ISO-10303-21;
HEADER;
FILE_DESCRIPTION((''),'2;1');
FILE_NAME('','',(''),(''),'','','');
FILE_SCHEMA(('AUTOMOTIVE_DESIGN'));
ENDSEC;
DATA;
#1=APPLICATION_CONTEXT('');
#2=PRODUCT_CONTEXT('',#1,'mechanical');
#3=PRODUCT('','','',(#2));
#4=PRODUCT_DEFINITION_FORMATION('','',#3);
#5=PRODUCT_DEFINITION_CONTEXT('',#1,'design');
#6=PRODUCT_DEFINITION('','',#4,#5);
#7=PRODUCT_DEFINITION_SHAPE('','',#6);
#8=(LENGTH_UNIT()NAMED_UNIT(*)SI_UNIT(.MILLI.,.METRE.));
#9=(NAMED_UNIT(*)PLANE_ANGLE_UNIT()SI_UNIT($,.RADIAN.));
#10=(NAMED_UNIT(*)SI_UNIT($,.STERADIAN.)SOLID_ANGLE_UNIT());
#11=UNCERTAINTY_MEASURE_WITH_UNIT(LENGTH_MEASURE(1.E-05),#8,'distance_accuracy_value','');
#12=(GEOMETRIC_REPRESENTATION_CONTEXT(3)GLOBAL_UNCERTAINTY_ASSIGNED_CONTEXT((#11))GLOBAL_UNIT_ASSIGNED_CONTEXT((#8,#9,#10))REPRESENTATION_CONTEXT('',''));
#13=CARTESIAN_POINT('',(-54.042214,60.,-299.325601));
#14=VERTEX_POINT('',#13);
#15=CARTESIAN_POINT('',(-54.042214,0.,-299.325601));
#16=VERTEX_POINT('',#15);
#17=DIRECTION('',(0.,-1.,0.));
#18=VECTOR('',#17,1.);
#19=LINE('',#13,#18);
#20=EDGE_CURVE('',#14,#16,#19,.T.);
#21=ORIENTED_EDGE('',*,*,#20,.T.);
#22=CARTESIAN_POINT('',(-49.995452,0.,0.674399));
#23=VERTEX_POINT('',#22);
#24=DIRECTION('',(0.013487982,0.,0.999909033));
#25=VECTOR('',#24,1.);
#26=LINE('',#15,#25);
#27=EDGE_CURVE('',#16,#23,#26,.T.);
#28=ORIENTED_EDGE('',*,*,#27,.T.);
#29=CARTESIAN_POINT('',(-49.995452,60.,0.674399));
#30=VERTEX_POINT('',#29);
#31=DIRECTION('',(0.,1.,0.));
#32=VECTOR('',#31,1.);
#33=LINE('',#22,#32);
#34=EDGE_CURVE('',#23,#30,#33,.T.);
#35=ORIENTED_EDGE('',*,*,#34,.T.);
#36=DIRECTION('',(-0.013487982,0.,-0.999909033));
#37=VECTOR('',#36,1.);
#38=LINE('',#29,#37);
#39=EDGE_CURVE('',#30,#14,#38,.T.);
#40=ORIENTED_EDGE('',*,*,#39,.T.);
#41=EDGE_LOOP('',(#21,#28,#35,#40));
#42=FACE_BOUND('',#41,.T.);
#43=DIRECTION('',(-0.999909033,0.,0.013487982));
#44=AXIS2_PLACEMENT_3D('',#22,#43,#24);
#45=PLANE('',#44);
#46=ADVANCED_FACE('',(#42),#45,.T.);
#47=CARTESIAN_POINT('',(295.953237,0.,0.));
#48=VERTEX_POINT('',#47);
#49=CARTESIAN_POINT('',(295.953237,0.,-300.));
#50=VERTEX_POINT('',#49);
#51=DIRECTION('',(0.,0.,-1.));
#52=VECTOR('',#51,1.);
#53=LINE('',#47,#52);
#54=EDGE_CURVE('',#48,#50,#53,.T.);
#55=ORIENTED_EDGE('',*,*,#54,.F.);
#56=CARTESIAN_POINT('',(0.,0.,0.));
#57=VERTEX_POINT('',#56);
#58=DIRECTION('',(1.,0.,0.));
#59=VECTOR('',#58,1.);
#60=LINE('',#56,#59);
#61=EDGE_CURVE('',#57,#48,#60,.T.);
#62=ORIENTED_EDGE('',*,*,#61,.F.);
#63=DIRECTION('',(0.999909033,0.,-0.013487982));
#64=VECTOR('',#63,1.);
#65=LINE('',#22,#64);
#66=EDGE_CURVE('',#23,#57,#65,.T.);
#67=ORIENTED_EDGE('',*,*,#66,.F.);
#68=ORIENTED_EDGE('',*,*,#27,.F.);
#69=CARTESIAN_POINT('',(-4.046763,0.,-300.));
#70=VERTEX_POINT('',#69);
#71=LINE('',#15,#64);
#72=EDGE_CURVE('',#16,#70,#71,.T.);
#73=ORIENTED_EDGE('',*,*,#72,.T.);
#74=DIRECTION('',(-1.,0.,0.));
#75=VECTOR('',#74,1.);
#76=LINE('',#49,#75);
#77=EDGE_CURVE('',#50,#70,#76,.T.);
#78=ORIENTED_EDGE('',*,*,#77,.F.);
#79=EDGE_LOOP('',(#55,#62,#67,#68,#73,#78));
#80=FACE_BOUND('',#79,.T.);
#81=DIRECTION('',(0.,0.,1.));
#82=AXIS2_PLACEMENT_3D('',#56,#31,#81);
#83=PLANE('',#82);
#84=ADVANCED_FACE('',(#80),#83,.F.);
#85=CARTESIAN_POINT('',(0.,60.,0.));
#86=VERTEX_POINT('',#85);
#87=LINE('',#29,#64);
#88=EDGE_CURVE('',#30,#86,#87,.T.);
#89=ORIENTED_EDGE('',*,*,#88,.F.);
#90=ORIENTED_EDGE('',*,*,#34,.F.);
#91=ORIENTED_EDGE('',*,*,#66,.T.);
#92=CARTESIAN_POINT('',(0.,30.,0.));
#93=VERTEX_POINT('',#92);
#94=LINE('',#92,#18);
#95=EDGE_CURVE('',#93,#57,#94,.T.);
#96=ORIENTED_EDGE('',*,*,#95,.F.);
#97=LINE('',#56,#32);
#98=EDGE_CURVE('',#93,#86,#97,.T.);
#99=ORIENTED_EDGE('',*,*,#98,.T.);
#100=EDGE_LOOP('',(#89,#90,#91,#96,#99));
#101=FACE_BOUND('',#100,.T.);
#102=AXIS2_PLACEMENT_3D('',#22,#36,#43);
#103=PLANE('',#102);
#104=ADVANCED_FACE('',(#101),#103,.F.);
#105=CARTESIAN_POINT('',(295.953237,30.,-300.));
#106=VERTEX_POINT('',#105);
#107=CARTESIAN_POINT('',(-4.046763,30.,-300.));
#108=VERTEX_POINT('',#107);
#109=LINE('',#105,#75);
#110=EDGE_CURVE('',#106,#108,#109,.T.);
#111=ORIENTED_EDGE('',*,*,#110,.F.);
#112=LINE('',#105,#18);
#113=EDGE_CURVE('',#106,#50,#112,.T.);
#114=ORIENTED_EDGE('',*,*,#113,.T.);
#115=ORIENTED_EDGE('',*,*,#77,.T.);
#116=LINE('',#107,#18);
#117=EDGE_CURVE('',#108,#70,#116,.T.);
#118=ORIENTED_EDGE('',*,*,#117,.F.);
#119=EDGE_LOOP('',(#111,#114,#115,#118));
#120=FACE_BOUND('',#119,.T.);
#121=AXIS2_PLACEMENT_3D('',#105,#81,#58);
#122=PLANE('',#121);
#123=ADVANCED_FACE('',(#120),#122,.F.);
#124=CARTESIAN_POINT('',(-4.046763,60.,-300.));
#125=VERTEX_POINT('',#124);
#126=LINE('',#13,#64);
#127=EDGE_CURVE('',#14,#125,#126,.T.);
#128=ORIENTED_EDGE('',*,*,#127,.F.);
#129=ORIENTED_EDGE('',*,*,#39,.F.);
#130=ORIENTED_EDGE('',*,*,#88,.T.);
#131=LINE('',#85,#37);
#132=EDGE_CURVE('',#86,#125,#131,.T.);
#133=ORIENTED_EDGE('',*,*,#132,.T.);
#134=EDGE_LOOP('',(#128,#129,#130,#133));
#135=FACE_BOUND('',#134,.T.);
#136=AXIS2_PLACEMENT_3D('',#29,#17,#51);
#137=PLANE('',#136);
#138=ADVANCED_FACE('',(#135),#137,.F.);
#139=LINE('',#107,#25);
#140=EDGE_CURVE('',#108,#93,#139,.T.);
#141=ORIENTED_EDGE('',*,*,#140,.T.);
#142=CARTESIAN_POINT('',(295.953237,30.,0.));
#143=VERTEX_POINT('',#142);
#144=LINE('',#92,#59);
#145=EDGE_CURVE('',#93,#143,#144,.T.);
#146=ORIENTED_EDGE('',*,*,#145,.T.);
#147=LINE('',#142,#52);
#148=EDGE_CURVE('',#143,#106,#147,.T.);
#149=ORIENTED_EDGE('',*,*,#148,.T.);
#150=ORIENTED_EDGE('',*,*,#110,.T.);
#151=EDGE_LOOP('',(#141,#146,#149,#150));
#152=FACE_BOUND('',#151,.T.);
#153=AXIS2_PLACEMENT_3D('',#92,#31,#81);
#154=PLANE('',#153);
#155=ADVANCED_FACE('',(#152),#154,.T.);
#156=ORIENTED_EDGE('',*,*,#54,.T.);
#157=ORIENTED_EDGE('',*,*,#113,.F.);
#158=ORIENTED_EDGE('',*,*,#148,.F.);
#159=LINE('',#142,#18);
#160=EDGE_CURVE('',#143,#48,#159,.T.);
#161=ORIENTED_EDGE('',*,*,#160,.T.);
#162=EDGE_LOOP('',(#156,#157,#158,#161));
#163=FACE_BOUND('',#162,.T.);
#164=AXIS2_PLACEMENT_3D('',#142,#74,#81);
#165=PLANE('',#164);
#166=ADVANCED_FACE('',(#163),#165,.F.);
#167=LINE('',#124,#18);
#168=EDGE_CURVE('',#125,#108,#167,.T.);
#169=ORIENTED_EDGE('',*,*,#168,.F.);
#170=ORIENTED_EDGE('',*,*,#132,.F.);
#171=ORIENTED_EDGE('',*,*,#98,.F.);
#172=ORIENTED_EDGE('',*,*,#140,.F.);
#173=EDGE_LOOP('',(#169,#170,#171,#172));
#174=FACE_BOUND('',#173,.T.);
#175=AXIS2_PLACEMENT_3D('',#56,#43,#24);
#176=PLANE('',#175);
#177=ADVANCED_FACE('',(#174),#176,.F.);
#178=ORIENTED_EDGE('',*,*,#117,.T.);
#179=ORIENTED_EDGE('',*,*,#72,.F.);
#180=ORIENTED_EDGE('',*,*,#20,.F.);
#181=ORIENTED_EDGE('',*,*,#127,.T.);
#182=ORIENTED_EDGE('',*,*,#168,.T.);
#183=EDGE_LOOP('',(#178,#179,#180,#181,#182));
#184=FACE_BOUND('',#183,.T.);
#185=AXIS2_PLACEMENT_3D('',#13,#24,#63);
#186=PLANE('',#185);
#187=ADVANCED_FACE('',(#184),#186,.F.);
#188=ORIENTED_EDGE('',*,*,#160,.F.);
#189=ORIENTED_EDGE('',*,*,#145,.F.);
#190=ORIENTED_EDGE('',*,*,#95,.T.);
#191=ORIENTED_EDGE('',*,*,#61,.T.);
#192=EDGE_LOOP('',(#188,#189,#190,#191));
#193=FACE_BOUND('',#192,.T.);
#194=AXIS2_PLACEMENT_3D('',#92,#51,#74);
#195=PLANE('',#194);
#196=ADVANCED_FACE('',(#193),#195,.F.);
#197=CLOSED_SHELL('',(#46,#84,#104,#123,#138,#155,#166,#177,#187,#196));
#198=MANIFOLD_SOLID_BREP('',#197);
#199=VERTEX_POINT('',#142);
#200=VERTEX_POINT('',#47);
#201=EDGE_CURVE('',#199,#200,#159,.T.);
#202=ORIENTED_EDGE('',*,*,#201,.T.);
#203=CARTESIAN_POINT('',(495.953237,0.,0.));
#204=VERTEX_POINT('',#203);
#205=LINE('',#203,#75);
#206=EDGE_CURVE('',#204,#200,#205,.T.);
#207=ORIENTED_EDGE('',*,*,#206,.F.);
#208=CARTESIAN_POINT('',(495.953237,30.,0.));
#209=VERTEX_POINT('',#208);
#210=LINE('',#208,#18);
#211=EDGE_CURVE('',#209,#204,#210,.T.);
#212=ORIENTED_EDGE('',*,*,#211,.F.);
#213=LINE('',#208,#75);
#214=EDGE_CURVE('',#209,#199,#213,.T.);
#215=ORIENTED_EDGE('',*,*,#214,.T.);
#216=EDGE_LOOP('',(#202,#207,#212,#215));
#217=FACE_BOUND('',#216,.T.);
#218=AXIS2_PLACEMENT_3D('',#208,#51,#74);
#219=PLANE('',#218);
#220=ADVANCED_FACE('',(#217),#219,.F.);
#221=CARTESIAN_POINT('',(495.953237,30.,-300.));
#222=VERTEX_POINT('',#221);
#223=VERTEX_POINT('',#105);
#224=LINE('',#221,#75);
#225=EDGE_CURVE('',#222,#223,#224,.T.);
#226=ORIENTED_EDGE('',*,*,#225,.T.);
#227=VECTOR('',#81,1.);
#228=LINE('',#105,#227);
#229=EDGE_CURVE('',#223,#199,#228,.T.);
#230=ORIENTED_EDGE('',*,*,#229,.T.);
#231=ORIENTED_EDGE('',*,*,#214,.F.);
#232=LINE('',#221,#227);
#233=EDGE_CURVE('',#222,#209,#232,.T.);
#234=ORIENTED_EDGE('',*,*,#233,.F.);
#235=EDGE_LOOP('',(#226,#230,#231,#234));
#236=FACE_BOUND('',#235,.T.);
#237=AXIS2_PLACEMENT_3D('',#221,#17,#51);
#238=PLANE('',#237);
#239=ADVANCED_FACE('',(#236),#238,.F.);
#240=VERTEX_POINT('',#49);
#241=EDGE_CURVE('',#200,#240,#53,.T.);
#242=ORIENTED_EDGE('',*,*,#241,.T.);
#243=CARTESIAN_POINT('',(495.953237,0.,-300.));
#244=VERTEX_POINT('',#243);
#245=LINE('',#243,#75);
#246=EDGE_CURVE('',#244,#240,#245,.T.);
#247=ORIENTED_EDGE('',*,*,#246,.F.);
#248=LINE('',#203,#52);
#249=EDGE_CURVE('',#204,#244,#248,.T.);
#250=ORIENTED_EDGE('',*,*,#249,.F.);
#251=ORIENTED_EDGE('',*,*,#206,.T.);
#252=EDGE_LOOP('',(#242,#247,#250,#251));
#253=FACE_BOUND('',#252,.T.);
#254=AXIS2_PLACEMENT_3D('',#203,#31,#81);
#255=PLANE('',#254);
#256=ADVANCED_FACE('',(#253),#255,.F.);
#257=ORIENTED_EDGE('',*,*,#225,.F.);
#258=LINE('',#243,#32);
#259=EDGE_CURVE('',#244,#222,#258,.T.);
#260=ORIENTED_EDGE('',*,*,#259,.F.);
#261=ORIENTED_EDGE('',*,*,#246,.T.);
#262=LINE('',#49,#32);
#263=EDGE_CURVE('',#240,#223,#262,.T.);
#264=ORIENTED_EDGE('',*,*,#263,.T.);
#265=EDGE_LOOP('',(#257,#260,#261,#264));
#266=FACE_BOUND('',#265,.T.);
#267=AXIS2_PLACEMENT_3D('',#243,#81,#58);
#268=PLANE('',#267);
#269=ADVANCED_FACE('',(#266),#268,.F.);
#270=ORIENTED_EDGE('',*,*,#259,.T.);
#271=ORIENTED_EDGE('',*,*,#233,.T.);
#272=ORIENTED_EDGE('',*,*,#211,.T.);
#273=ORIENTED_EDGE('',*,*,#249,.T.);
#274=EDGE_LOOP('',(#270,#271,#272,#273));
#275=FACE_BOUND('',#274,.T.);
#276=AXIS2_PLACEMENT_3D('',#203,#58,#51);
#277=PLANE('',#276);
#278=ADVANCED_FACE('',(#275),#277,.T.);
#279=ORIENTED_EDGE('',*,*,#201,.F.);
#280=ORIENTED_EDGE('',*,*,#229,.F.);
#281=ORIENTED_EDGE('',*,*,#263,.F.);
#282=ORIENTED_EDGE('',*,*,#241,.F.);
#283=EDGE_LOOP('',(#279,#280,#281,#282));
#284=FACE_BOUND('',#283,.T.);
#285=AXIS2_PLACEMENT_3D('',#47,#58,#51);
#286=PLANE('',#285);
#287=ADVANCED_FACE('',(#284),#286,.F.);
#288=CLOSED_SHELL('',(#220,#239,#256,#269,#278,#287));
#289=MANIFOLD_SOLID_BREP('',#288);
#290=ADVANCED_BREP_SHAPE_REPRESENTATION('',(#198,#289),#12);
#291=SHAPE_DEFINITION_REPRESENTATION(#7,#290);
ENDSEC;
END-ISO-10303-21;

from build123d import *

# Parameters (mm, degrees)
EXTRUDE_1_DEPTH = 30
SKETCH_2_W      = 300
SKETCH_2_H      = 30
EXTRUDE_2_DEPTH = 200
SKETCH_3_W      = 300.027292571
SKETCH_3_H      = 60
EXTRUDE_3_DEPTH = 50


with BuildPart() as part:
    # 草图1 → 凸台-拉伸1 (new body)
    with BuildSketch(Plane(origin=(0, 0, 0), x_dir=(1, 0, 0), z_dir=(0, 1, 0))):
        Polygon((0, 0), (295.95323741, 0), (295.95323741, 300), (-4.04676259, 300), align=None)
    extrude(amount=EXTRUDE_1_DEPTH)

    # 草图3 → 凸台-拉伸3 (add)
    with BuildSketch(Plane(origin=(0, 0, 0), x_dir=(0.013487981560780847, 0, 0.9999090330392142), z_dir=(-0.9999090330392142, 0, 0.013487981560780847))):
        with Locations((-150.013646286, 30)):
            Rectangle(SKETCH_3_W, SKETCH_3_H)
    extrude(amount=EXTRUDE_3_DEPTH)


with BuildPart() as body_2:
    # 草图2 → 凸台-拉伸2 (new body)
    with BuildSketch(Plane(origin=(295.95323741, 0, 0), x_dir=(0, 0, -1), z_dir=(1, 0, 0))):
        with Locations((150, 15)):
            Rectangle(SKETCH_2_W, SKETCH_2_H)
    extrude(amount=EXTRUDE_2_DEPTH)


solid = Compound([part.part, body_2.part])
